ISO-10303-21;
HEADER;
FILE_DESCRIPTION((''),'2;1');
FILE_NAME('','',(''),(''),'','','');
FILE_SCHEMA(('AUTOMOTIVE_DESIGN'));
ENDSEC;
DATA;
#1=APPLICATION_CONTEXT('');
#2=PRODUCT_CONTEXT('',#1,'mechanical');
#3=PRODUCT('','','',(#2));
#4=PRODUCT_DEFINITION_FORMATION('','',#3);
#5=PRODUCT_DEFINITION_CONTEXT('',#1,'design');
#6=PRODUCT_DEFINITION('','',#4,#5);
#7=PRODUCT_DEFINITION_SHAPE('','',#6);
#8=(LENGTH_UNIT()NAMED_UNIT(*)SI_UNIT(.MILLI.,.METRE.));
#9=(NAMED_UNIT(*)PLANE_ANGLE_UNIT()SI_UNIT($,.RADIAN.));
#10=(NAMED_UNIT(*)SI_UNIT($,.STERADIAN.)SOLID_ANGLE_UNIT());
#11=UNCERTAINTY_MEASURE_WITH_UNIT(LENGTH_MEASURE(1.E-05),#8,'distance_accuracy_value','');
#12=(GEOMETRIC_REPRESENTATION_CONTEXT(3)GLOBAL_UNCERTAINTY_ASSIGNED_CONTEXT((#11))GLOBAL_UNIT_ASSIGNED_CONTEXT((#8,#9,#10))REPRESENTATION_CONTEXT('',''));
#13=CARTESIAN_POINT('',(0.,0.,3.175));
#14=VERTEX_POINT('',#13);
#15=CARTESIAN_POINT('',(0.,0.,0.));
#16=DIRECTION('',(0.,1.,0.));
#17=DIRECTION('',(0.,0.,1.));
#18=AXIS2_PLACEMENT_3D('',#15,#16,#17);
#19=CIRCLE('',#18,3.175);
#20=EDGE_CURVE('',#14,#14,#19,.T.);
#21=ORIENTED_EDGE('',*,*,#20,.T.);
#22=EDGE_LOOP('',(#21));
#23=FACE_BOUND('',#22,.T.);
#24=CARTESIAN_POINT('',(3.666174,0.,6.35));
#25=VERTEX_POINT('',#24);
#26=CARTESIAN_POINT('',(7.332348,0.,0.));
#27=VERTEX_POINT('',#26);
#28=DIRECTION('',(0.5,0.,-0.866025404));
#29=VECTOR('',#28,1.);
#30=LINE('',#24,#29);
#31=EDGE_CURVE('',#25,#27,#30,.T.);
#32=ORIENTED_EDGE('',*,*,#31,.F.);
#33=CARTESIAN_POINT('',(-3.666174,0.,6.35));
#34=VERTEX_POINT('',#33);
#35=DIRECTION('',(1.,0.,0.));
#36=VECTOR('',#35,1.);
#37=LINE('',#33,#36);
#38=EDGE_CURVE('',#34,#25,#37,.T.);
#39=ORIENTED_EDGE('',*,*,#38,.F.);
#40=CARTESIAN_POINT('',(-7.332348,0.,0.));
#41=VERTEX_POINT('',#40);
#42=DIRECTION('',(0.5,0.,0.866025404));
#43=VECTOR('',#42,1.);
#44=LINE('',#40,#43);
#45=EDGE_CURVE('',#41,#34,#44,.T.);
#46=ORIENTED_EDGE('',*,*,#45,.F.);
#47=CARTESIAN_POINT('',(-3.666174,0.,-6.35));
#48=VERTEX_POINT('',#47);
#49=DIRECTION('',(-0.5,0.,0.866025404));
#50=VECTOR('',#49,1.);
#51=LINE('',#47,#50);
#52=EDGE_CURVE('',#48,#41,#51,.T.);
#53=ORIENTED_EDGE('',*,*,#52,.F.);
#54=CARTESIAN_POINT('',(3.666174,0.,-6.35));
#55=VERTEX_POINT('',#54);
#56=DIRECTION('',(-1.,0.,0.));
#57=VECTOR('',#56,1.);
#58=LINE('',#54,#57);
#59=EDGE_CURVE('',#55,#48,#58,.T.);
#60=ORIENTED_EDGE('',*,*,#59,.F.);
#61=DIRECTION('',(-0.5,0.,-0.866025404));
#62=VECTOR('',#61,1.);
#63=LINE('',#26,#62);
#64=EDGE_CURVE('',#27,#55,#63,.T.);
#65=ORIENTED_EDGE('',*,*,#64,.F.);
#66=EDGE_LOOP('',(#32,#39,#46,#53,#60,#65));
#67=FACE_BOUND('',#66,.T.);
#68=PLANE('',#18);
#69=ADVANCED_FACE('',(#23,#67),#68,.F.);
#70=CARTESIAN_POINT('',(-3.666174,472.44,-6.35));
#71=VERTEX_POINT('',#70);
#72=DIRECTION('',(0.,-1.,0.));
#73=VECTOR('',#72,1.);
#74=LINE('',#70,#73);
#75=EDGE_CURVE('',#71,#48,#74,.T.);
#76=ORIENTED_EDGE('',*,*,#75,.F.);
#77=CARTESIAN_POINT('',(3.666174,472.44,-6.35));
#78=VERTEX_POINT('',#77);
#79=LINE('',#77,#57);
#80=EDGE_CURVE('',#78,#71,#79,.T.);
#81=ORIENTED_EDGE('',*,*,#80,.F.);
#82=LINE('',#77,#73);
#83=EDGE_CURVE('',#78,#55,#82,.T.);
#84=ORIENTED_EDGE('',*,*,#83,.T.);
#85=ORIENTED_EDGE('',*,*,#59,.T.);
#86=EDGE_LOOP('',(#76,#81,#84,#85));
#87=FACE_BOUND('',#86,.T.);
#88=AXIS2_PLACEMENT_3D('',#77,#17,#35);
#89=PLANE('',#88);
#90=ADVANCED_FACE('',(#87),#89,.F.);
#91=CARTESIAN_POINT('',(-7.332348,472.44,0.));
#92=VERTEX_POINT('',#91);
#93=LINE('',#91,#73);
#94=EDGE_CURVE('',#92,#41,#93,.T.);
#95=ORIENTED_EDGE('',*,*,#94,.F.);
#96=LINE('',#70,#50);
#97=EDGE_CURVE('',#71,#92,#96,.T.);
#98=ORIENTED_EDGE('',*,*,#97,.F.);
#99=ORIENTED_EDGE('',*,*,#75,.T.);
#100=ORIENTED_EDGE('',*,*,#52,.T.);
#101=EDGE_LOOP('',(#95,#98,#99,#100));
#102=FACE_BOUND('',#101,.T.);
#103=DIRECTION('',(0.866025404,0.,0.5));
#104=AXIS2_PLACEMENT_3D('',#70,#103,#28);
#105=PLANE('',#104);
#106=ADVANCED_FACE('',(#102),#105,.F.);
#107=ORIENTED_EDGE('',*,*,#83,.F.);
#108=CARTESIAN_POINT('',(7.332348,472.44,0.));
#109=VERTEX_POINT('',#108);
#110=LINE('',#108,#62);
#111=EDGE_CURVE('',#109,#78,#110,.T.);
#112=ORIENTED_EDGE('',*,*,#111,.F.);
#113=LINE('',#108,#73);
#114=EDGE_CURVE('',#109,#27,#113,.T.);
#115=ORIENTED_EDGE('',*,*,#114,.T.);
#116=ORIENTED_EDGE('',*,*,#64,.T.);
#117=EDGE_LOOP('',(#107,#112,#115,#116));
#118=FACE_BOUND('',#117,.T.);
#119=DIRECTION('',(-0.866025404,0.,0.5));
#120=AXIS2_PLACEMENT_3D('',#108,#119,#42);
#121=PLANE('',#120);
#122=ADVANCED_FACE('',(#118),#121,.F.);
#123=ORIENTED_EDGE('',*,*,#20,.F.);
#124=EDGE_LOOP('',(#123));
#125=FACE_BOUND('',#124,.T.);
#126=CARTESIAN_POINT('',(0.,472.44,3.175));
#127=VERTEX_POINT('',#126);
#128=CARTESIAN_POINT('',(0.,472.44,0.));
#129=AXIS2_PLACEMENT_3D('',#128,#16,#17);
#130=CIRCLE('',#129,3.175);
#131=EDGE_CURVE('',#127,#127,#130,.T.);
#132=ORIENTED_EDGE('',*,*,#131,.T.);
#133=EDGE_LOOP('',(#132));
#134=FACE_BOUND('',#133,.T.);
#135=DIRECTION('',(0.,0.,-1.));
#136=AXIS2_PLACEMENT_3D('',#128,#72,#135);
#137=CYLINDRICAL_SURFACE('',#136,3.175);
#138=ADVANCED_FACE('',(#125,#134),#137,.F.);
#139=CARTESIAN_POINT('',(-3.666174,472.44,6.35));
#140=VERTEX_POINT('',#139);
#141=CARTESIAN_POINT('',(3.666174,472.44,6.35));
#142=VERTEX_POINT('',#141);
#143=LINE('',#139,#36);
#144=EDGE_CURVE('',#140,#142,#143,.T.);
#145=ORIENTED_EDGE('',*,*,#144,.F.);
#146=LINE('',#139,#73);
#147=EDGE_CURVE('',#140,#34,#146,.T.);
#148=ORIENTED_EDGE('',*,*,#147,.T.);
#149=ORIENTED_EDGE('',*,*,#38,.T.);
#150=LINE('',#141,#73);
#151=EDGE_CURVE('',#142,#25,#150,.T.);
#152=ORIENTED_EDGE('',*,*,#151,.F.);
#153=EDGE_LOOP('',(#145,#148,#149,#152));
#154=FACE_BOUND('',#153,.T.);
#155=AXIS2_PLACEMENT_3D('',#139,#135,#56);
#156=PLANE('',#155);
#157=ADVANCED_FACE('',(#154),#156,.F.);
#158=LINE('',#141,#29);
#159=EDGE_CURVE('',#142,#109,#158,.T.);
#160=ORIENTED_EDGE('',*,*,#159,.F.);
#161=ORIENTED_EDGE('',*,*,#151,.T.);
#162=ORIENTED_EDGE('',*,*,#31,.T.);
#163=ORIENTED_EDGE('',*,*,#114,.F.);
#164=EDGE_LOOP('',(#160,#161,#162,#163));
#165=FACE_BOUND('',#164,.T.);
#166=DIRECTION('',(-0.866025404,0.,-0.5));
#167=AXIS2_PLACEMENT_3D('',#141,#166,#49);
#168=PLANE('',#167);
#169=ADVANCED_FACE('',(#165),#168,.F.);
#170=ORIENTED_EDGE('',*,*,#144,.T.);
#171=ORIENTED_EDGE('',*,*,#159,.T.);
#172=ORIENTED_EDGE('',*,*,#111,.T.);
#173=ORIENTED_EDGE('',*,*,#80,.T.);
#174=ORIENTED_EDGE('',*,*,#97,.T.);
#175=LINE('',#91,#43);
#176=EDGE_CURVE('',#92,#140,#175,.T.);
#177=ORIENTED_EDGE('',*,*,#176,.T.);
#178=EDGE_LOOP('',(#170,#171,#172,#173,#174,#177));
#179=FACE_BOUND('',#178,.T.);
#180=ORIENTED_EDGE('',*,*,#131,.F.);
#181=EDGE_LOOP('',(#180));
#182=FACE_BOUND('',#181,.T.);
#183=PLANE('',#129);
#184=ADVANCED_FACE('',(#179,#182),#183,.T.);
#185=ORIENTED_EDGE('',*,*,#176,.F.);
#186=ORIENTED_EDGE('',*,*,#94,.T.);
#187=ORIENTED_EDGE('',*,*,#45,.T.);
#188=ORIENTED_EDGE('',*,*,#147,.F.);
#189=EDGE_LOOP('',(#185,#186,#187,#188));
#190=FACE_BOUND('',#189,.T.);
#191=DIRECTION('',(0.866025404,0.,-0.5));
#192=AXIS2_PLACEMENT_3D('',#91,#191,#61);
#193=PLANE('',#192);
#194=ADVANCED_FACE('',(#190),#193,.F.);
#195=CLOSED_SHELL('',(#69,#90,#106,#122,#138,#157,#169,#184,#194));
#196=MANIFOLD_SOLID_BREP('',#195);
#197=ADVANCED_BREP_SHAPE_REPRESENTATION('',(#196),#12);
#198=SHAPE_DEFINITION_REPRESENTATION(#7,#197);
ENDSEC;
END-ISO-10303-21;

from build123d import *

# Parameters (mm, degrees)
SKETCH1_R           = 3.175
BOSS_EXTRUDE1_DEPTH = 472.44


with BuildPart() as part:
    # Sketch1 → Boss-Extrude1 (new body)
    with BuildSketch(Plane(origin=(0, 0, 0), x_dir=(1, 0, 0), z_dir=(0, 1, 0))):
        Polygon((3.666174209, -6.35), (7.332348419, 0), (3.666174209, 6.35), (-3.666174209, 6.35), (-7.332348419, 0), (-3.666174209, -6.35), align=None)
        Circle(SKETCH1_R, mode=Mode.SUBTRACT)
    extrude(amount=BOSS_EXTRUDE1_DEPTH)


solid = part.part
